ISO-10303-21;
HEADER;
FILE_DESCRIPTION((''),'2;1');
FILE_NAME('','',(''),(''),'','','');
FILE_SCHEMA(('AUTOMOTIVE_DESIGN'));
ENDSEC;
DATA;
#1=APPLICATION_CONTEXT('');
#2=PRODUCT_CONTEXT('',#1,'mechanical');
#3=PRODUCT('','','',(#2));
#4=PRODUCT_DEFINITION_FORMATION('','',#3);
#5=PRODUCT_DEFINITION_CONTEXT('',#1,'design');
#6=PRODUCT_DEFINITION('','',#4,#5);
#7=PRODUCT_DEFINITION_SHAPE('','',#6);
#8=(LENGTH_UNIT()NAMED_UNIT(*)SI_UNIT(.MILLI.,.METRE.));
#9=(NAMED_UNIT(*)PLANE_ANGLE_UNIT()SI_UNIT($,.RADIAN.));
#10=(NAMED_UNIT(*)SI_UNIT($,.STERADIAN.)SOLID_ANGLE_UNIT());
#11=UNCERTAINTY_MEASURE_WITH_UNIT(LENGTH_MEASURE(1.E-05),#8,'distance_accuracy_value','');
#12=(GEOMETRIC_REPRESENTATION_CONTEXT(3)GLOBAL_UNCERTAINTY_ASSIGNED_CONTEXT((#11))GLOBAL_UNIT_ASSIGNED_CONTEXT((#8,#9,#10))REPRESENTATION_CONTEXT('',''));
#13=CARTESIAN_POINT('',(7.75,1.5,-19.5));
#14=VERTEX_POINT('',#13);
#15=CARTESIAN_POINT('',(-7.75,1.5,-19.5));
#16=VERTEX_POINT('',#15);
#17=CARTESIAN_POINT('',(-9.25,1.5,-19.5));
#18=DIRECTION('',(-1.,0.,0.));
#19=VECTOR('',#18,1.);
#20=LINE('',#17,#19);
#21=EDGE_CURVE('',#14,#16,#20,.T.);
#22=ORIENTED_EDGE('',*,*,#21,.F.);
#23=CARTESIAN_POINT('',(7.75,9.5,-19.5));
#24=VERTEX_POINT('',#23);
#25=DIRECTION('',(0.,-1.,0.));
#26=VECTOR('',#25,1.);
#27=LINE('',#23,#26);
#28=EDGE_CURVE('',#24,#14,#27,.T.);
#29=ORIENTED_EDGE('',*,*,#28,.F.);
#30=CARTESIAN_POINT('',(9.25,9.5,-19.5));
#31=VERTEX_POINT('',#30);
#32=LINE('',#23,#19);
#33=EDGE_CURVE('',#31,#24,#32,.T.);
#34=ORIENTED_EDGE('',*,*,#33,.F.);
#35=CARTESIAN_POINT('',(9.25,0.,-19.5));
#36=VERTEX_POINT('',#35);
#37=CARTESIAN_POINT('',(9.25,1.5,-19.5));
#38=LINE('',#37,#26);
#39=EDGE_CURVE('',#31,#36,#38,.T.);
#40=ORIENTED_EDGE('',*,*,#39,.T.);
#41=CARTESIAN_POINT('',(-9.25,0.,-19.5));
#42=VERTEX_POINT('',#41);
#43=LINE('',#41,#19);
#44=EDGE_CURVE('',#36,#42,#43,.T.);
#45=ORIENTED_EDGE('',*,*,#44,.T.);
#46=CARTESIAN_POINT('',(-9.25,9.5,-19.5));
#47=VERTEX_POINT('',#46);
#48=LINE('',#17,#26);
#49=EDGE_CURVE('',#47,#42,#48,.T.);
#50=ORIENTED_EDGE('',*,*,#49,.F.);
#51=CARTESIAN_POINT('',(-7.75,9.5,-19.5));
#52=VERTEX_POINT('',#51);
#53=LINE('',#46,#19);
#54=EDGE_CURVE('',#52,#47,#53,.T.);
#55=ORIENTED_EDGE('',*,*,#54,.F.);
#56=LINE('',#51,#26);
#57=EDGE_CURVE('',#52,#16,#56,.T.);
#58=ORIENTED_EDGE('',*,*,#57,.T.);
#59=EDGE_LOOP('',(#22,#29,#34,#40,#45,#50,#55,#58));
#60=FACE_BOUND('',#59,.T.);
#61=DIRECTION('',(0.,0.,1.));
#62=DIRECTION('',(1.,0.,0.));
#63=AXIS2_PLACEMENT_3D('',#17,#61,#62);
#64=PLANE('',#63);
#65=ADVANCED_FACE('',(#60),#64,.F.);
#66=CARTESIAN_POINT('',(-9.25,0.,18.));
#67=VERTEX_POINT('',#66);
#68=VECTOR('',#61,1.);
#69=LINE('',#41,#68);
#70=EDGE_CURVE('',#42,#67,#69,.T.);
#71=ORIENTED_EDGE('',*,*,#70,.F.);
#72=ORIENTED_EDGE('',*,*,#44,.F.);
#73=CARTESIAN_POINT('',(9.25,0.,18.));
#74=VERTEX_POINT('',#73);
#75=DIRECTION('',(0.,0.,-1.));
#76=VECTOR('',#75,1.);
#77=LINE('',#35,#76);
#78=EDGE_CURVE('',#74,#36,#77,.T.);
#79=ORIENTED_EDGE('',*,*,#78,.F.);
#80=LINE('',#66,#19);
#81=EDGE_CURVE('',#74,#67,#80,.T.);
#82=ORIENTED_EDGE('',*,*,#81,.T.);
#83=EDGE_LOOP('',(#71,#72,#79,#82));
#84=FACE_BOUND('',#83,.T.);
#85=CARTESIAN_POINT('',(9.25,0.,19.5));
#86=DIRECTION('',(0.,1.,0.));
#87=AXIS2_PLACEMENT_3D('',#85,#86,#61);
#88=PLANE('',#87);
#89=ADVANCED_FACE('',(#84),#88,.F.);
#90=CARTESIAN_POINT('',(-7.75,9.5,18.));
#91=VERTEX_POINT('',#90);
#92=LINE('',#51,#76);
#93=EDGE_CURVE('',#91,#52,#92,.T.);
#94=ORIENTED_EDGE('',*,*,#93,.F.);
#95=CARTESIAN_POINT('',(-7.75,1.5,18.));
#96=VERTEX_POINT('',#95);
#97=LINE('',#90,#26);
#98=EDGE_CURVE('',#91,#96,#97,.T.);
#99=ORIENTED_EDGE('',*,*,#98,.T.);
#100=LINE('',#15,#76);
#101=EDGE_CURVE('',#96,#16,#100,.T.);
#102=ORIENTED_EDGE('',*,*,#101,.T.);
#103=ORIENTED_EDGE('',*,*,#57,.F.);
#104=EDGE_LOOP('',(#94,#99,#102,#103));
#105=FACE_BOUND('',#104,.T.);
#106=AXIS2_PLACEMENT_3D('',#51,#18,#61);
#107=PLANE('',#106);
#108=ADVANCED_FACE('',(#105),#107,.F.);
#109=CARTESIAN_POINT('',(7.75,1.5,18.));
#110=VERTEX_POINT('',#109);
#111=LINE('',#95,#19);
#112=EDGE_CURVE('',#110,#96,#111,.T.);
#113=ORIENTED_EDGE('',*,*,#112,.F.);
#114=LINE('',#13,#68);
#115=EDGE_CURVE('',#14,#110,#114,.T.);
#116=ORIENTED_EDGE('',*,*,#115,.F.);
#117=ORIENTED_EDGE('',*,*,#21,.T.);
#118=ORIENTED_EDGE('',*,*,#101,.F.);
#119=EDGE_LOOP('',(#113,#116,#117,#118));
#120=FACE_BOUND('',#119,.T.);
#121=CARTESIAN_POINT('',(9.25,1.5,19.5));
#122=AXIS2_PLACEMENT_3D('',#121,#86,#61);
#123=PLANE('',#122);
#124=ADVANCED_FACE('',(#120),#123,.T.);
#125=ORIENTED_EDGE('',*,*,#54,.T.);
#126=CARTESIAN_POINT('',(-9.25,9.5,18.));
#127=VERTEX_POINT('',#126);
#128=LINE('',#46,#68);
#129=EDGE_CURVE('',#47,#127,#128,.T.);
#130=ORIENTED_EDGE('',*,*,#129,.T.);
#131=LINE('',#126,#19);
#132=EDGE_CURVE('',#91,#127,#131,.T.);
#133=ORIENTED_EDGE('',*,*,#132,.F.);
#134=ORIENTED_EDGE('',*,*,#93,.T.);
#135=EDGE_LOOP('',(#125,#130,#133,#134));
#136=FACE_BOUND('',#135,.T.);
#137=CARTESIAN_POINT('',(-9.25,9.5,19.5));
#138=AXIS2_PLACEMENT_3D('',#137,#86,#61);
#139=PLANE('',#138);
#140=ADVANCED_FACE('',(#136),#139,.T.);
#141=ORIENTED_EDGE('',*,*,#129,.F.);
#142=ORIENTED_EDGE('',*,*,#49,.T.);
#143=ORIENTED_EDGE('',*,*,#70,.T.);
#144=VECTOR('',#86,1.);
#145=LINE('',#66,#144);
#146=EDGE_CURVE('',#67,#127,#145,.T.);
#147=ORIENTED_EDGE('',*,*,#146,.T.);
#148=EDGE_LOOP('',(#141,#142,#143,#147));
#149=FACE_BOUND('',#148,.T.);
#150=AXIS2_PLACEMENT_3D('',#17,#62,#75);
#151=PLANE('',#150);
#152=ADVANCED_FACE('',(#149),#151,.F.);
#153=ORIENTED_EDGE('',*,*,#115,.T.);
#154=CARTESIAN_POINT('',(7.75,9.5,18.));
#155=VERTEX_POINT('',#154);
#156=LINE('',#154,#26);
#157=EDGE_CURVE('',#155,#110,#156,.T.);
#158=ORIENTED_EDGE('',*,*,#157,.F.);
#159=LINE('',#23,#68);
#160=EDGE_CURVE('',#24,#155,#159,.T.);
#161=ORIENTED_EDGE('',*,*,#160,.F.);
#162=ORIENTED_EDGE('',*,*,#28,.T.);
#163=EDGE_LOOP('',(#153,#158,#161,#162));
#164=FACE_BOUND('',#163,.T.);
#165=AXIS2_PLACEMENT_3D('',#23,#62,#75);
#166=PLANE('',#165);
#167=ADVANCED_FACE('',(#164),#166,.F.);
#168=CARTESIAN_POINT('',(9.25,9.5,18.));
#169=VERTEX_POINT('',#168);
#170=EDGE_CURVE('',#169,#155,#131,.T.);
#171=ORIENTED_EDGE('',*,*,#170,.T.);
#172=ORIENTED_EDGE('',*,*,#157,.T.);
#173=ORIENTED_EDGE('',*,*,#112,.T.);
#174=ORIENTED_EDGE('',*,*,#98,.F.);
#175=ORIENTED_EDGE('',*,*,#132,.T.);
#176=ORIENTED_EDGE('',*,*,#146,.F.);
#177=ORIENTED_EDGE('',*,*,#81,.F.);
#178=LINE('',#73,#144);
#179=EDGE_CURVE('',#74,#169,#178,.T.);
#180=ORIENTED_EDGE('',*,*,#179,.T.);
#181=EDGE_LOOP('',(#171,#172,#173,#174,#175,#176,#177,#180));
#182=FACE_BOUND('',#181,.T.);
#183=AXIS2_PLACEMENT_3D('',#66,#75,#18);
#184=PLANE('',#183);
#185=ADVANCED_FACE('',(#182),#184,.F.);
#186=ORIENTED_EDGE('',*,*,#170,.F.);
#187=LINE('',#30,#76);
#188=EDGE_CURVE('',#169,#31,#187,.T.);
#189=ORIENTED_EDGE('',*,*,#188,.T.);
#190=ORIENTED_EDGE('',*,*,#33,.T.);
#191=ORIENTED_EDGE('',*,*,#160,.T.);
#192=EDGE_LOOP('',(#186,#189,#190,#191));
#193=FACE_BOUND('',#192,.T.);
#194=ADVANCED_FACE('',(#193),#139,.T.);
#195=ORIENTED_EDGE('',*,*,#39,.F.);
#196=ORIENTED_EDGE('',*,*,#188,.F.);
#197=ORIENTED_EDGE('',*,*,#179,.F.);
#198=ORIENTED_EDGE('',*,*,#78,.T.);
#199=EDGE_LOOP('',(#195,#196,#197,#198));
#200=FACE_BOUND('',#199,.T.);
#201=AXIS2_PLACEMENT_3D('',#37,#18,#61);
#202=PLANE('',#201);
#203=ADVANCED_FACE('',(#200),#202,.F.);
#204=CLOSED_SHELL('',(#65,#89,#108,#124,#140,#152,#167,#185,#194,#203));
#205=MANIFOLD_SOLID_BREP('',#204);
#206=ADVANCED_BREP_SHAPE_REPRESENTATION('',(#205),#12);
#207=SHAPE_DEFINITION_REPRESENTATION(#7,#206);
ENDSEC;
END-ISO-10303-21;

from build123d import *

# Parameters (mm, degrees)
ESBO_O1_W       = 18.5
ESBO_O1_H       = 39
EXTRUS_O1_DEPTH = 1.5
EXTRUS_O2_DEPTH = 8
ESBO_O3_W       = 18.5
ESBO_O3_H       = 1.5
EXTRUS_O3_DEPTH = 24.580977503


with BuildPart() as part:
    # Esboço1 → Extrusão1 (new body)
    with BuildSketch(Plane(origin=(0, 0, 0), x_dir=(1, 0, 0), z_dir=(0, 1, 0))):
        Rectangle(ESBO_O1_W, ESBO_O1_H)
    extrude(amount=EXTRUS_O1_DEPTH)

    # Esboço2 → Extrusão2 (add)
    with BuildSketch(Plane(origin=(0, 1.5, 0), x_dir=(1, 0, 0), z_dir=(0, 1, 0))):
        Polygon((7.75, 19.5), (9.25, 19.5), (9.25, -19.5), (-9.25, -19.5), (-9.25, 19.5), (-7.75, 19.5), (-7.75, -18), (7.75, -18), align=None)
    extrude(amount=EXTRUS_O2_DEPTH)

    # Esboço3 → Extrusão3 (cut, through all)
    with BuildSketch(Plane(origin=(0, 9.5, 0), x_dir=(1, 0, 0), z_dir=(0, 1, 0))):
        with Locations((0, -18.75)):
            Rectangle(ESBO_O3_W, ESBO_O3_H)
    extrude(amount=-EXTRUS_O3_DEPTH, mode=Mode.SUBTRACT)


solid = part.part
